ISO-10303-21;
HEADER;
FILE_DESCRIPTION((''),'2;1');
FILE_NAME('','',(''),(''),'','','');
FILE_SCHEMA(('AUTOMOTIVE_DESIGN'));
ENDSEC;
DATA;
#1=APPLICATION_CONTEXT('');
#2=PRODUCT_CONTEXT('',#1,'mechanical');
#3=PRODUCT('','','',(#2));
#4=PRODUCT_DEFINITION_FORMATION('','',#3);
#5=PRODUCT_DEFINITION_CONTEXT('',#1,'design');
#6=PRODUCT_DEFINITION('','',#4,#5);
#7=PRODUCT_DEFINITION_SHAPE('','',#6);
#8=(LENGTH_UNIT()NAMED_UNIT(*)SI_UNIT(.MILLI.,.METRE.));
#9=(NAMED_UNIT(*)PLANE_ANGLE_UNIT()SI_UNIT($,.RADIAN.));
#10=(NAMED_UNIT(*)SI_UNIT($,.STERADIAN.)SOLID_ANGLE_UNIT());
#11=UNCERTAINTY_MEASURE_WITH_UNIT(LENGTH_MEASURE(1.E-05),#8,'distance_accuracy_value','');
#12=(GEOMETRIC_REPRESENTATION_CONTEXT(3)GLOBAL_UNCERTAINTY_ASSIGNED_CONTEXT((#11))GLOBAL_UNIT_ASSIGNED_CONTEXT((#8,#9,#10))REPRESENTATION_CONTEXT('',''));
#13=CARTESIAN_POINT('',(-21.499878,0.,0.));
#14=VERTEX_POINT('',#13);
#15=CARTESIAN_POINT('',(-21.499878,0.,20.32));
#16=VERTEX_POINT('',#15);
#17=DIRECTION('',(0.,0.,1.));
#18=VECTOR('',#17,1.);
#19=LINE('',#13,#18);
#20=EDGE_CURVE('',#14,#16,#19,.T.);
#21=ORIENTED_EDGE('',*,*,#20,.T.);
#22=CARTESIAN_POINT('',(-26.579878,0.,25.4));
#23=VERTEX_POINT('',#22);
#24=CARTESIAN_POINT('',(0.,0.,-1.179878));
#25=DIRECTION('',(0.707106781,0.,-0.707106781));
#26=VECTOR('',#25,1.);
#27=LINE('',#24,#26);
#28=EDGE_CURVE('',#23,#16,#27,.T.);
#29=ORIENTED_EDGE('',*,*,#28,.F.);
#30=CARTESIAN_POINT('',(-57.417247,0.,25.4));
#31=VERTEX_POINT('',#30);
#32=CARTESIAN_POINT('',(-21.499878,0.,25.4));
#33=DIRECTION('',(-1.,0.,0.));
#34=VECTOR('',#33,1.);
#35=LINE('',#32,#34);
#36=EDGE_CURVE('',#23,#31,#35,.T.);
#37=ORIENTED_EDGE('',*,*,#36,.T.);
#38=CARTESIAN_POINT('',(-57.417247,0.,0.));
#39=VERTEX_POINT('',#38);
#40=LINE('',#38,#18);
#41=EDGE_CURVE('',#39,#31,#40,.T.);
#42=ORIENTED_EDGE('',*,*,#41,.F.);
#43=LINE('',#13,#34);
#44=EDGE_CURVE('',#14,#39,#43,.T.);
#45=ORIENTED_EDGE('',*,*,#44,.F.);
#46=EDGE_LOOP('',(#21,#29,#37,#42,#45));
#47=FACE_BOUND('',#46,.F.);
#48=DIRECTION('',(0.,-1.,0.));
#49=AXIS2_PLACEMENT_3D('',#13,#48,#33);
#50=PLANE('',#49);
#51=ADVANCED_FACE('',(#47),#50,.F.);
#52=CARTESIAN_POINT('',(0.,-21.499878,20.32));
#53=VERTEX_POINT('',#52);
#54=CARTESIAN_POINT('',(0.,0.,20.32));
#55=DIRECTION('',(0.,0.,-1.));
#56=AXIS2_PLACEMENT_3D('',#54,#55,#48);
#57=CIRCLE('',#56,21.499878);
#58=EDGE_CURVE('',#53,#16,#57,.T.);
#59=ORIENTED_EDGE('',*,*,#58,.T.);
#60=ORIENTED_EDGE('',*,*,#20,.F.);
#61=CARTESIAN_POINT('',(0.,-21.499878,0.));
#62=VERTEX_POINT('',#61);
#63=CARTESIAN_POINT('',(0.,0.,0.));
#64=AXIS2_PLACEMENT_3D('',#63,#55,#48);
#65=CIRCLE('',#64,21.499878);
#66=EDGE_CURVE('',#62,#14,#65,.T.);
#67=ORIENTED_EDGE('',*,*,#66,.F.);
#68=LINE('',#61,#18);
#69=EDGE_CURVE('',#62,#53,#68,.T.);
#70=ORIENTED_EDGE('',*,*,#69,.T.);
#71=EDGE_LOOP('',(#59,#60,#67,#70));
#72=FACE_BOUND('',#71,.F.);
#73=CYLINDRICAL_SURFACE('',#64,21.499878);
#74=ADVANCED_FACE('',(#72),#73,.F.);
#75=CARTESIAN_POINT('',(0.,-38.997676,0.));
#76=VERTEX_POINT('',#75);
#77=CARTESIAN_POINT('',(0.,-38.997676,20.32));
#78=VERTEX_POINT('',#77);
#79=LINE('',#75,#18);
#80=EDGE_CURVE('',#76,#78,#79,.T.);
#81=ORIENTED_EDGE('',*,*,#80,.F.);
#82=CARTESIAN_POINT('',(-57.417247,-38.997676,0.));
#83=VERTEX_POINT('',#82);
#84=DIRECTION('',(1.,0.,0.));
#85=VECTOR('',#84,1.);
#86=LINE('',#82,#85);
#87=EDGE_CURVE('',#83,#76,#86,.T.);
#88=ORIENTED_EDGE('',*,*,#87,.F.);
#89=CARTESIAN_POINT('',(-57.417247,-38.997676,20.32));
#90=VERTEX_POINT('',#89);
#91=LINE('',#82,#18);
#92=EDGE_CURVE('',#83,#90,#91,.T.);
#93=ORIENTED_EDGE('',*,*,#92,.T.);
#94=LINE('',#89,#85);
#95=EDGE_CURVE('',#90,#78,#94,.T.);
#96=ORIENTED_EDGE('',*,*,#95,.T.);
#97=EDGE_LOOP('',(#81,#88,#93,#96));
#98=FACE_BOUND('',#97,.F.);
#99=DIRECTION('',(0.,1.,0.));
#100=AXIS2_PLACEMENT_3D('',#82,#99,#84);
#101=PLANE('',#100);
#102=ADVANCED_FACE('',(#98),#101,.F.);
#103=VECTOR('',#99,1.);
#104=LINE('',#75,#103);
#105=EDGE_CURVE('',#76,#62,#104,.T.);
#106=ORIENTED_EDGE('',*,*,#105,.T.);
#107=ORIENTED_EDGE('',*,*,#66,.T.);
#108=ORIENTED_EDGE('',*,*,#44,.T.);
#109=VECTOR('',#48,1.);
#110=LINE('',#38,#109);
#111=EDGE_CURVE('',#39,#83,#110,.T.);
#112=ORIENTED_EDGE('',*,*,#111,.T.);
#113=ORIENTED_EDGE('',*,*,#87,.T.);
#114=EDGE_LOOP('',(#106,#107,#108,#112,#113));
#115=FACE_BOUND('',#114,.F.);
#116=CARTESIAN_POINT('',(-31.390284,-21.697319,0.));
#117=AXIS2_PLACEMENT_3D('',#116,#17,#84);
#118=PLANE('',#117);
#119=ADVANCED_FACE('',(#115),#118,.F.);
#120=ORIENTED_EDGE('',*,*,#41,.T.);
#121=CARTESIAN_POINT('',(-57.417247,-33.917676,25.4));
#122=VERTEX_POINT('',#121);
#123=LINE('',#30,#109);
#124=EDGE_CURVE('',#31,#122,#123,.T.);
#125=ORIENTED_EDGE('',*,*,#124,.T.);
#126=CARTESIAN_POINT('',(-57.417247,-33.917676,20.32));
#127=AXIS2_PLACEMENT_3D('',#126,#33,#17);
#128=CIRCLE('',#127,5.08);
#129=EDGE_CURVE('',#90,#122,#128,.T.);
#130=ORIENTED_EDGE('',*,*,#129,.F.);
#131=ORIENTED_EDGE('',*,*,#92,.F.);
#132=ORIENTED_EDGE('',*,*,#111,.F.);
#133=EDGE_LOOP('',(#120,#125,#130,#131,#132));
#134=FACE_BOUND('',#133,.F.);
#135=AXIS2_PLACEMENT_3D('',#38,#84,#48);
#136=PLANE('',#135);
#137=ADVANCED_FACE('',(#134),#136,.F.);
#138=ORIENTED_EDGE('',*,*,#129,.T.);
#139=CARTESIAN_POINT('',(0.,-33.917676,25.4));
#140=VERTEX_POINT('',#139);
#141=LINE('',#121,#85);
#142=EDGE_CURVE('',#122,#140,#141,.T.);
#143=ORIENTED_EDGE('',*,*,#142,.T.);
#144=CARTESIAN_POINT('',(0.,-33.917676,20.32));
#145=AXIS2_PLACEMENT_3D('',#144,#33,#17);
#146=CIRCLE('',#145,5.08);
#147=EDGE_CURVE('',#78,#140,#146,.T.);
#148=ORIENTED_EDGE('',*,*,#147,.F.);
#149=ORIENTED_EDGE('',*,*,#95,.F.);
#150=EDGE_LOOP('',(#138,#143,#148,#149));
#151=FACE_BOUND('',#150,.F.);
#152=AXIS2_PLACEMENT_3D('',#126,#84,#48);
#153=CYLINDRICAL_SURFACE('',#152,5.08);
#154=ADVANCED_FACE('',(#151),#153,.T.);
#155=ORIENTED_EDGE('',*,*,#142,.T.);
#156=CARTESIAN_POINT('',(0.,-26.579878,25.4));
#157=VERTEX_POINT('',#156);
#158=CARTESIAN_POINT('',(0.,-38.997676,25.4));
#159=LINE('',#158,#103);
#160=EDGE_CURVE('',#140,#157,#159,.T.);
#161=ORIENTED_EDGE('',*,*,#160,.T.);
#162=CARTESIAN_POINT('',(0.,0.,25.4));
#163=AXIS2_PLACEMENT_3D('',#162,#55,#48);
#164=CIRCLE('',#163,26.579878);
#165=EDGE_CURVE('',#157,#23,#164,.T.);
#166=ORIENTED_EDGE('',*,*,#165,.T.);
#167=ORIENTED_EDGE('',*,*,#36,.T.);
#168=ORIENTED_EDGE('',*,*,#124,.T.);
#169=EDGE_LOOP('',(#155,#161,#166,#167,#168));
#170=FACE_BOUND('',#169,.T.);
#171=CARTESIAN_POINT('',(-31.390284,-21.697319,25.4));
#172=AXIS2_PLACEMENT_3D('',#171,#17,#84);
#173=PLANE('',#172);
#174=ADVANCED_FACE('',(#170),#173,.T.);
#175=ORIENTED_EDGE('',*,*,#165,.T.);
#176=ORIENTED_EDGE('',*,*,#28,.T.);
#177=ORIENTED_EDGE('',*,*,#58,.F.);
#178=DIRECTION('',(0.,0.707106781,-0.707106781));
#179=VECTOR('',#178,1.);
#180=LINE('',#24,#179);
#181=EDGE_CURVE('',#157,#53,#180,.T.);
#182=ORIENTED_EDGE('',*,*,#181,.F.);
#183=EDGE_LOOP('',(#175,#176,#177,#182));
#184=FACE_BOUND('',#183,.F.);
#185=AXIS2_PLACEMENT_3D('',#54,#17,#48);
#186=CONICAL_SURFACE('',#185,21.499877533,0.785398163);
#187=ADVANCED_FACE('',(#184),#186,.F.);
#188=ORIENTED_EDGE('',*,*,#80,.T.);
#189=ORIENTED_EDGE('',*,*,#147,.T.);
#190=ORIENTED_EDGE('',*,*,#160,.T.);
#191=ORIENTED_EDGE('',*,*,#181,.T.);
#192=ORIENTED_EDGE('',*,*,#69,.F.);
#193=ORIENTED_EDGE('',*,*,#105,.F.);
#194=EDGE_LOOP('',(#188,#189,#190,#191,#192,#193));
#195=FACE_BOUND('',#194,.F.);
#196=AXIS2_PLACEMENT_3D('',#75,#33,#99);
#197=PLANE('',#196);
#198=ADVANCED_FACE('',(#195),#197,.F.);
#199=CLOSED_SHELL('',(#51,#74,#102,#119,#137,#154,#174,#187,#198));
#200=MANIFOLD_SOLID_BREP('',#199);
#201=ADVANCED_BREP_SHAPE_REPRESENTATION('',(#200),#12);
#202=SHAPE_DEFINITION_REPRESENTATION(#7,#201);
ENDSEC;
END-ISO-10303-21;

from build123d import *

# Parameters (mm, degrees)
F1_DEPTH = 25.4
F2_R     = 5.08
F3_SIZE  = 5.08


with BuildPart() as f1:
    # F0 (on Top) → F1 (new body)
    with BuildSketch(Plane.XY):
        with BuildLine():
            ThreePointArc((0, -21.4998775326), (-15.202709198, -15.202709198), (-21.4998775326, 0))
            Line((-21.4998775326, 0), (-57.4172474444, 0))
            Line((-57.4172474444, 0), (-57.4172474444, -38.9976762235))
            Line((-57.4172474444, -38.9976762235), (0, -38.9976762235))
            Line((0, -38.9976762235), (0, -21.4998775326))
        make_face()
    extrude(amount=F1_DEPTH)

    # F2
    f2_edges = [f1.edges().sort_by_distance(p)[0] for p in [
        (-28.708624, -38.997676, 25.4),
    ]]
    fillet(f2_edges, radius=F2_R)

    # F3
    f3_edges = [f1.edges().sort_by_distance(p)[0] for p in [
        (-15.202709, -15.202709, 25.4),
    ]]
    chamfer(f3_edges, length=F3_SIZE)


solid = f1.part
